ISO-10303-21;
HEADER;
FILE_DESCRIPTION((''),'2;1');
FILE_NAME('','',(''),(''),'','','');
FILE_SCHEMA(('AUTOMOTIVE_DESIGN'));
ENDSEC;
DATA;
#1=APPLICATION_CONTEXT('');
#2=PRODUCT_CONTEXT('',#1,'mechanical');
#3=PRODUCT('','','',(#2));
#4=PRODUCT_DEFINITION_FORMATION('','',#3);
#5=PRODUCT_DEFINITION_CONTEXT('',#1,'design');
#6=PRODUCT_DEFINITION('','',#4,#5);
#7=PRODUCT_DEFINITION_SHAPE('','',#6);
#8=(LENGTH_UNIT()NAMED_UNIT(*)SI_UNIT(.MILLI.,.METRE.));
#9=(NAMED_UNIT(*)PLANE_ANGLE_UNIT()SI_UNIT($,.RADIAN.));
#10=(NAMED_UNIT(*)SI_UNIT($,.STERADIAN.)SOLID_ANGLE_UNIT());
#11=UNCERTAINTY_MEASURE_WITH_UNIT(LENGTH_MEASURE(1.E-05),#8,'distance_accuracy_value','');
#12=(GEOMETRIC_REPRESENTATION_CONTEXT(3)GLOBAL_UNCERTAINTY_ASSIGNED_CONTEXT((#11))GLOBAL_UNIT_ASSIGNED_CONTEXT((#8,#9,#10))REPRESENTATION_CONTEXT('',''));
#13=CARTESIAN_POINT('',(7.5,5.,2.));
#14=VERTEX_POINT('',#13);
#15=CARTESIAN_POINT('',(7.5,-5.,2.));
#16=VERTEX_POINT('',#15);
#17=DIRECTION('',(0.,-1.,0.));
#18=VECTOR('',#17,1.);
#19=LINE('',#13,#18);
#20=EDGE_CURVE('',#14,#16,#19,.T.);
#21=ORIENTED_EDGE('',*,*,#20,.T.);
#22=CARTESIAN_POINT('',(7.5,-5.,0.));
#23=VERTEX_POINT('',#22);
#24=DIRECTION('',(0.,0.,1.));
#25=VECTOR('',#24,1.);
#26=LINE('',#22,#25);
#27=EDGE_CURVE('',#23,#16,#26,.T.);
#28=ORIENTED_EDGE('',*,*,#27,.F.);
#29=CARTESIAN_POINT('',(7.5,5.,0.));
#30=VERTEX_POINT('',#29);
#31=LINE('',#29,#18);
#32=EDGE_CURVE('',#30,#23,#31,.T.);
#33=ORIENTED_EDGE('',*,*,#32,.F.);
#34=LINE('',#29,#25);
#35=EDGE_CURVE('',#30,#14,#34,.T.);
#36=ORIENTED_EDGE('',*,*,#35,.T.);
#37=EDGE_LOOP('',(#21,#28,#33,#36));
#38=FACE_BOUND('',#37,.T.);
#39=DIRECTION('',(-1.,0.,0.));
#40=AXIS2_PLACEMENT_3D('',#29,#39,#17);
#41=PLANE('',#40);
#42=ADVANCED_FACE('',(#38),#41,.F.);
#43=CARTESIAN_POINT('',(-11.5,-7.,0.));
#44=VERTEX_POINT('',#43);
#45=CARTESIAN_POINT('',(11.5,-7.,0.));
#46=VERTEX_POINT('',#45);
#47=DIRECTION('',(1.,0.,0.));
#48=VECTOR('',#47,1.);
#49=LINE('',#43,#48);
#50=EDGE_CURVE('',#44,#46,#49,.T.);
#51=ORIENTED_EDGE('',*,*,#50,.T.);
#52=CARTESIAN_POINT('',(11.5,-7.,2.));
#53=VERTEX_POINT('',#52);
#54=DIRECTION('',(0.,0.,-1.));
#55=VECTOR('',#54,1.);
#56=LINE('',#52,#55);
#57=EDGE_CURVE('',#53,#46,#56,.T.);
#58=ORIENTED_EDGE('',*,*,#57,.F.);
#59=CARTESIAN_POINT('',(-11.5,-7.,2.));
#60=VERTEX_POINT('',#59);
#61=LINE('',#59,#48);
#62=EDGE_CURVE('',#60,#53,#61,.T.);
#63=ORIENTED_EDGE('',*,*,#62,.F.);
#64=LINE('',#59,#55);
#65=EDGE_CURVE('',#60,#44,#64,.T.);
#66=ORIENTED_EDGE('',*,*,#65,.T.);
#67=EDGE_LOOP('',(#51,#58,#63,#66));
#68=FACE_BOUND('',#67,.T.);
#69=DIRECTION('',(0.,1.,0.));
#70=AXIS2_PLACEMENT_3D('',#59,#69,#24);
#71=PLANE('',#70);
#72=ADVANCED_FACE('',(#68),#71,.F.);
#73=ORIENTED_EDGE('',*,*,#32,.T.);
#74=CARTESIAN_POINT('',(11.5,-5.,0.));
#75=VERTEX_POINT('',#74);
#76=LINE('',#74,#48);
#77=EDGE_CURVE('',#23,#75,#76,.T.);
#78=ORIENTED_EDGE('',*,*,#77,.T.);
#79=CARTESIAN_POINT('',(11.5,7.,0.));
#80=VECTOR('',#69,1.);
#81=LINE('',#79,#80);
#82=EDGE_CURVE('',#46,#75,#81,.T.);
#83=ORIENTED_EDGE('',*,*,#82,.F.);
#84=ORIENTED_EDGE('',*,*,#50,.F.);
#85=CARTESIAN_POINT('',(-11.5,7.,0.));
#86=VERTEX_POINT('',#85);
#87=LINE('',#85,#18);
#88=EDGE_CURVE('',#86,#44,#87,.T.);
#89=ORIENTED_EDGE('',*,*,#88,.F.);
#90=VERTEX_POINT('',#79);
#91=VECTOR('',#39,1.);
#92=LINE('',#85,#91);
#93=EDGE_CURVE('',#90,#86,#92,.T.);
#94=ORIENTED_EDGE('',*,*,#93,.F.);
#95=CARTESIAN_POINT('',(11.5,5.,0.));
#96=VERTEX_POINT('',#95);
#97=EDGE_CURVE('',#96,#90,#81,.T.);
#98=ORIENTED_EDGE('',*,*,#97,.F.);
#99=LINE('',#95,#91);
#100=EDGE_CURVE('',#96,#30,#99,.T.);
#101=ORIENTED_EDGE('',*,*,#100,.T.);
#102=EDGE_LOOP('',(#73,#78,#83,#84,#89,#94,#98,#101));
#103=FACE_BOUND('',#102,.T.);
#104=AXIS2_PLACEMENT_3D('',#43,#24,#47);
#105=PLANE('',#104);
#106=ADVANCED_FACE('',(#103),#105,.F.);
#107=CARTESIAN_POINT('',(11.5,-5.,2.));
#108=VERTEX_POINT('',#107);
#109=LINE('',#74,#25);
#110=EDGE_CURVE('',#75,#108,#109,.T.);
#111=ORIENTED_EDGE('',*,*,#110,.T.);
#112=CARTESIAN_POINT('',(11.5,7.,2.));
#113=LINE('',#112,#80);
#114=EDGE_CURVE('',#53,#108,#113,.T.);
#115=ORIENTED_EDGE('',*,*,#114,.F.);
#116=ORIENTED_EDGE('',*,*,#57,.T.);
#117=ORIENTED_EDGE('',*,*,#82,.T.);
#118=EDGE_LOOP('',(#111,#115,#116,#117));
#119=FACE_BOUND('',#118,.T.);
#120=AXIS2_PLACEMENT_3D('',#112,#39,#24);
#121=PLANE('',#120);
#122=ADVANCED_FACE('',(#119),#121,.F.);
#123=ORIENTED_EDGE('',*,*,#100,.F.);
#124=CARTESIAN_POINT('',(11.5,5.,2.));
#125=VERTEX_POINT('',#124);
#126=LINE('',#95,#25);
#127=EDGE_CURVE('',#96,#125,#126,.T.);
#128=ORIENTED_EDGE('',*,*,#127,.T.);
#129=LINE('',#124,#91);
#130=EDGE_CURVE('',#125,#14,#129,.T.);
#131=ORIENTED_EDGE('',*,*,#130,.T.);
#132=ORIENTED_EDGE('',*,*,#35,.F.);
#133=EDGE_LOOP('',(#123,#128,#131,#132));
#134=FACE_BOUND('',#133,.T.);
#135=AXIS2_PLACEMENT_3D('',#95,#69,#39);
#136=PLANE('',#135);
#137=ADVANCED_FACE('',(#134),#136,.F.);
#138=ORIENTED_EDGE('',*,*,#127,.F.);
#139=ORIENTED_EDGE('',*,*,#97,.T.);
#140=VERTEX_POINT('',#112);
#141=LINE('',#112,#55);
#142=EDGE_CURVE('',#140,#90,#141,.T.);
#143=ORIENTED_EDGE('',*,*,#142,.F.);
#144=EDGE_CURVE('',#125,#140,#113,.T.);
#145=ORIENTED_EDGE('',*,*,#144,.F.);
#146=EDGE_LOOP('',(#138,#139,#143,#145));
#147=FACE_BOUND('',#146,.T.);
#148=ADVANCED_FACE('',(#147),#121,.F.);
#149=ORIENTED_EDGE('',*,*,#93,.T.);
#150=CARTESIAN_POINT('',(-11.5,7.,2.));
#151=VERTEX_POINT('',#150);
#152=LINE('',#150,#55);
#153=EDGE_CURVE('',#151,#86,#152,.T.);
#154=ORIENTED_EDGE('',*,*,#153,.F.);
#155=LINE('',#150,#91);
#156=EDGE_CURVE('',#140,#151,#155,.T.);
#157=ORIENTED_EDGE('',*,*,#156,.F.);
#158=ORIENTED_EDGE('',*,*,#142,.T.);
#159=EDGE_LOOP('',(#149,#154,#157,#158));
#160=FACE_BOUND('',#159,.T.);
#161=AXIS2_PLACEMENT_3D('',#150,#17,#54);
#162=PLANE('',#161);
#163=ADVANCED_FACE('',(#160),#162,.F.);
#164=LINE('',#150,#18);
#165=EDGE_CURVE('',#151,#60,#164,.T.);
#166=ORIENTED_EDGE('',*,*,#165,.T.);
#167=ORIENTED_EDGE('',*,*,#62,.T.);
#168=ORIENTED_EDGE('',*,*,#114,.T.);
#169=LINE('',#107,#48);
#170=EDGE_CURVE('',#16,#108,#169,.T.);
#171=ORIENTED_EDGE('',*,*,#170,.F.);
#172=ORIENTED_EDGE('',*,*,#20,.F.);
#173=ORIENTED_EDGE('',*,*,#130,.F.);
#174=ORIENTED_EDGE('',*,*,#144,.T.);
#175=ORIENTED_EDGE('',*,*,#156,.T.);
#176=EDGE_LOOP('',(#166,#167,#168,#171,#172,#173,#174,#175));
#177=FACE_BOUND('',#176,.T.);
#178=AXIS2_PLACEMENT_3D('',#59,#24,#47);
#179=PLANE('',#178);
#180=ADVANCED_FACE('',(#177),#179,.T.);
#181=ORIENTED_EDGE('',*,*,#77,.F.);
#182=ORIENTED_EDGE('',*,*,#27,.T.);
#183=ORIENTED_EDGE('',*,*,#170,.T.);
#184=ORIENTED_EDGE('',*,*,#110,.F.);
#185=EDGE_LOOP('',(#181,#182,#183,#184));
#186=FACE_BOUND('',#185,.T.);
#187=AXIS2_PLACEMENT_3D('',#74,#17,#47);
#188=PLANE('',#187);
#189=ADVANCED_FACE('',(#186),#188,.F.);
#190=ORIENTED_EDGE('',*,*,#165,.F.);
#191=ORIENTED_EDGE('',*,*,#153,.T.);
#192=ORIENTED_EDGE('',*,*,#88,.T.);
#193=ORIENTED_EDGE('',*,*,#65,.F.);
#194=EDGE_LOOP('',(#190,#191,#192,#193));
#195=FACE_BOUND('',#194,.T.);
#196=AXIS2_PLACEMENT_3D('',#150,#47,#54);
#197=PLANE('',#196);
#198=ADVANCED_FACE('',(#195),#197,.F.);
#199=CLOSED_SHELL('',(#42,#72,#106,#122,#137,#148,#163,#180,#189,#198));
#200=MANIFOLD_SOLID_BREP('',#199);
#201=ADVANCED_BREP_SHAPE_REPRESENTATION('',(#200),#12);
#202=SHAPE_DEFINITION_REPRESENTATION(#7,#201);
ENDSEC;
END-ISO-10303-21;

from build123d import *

# Parameters (mm, degrees)
SKETCH1_W      = 23
SKETCH1_H      = 14
EXTRUDE1_DEPTH = 2
SKETCH3_W      = 4
SKETCH3_H      = 10
EXTRUDE3_DEPTH = 2


with BuildPart() as part:
    # Sketch1 → Extrude1 (new body)
    with BuildSketch(Plane.XY):
        Rectangle(SKETCH1_W, SKETCH1_H)
    extrude(amount=EXTRUDE1_DEPTH)

    # Sketch3 → Extrude3 (cut)
    with BuildSketch(Plane.XY.offset(2)):
        with Locations((9.5, 0)):
            Rectangle(SKETCH3_W, SKETCH3_H)
    extrude(amount=-EXTRUDE3_DEPTH, mode=Mode.SUBTRACT)


solid = part.part
